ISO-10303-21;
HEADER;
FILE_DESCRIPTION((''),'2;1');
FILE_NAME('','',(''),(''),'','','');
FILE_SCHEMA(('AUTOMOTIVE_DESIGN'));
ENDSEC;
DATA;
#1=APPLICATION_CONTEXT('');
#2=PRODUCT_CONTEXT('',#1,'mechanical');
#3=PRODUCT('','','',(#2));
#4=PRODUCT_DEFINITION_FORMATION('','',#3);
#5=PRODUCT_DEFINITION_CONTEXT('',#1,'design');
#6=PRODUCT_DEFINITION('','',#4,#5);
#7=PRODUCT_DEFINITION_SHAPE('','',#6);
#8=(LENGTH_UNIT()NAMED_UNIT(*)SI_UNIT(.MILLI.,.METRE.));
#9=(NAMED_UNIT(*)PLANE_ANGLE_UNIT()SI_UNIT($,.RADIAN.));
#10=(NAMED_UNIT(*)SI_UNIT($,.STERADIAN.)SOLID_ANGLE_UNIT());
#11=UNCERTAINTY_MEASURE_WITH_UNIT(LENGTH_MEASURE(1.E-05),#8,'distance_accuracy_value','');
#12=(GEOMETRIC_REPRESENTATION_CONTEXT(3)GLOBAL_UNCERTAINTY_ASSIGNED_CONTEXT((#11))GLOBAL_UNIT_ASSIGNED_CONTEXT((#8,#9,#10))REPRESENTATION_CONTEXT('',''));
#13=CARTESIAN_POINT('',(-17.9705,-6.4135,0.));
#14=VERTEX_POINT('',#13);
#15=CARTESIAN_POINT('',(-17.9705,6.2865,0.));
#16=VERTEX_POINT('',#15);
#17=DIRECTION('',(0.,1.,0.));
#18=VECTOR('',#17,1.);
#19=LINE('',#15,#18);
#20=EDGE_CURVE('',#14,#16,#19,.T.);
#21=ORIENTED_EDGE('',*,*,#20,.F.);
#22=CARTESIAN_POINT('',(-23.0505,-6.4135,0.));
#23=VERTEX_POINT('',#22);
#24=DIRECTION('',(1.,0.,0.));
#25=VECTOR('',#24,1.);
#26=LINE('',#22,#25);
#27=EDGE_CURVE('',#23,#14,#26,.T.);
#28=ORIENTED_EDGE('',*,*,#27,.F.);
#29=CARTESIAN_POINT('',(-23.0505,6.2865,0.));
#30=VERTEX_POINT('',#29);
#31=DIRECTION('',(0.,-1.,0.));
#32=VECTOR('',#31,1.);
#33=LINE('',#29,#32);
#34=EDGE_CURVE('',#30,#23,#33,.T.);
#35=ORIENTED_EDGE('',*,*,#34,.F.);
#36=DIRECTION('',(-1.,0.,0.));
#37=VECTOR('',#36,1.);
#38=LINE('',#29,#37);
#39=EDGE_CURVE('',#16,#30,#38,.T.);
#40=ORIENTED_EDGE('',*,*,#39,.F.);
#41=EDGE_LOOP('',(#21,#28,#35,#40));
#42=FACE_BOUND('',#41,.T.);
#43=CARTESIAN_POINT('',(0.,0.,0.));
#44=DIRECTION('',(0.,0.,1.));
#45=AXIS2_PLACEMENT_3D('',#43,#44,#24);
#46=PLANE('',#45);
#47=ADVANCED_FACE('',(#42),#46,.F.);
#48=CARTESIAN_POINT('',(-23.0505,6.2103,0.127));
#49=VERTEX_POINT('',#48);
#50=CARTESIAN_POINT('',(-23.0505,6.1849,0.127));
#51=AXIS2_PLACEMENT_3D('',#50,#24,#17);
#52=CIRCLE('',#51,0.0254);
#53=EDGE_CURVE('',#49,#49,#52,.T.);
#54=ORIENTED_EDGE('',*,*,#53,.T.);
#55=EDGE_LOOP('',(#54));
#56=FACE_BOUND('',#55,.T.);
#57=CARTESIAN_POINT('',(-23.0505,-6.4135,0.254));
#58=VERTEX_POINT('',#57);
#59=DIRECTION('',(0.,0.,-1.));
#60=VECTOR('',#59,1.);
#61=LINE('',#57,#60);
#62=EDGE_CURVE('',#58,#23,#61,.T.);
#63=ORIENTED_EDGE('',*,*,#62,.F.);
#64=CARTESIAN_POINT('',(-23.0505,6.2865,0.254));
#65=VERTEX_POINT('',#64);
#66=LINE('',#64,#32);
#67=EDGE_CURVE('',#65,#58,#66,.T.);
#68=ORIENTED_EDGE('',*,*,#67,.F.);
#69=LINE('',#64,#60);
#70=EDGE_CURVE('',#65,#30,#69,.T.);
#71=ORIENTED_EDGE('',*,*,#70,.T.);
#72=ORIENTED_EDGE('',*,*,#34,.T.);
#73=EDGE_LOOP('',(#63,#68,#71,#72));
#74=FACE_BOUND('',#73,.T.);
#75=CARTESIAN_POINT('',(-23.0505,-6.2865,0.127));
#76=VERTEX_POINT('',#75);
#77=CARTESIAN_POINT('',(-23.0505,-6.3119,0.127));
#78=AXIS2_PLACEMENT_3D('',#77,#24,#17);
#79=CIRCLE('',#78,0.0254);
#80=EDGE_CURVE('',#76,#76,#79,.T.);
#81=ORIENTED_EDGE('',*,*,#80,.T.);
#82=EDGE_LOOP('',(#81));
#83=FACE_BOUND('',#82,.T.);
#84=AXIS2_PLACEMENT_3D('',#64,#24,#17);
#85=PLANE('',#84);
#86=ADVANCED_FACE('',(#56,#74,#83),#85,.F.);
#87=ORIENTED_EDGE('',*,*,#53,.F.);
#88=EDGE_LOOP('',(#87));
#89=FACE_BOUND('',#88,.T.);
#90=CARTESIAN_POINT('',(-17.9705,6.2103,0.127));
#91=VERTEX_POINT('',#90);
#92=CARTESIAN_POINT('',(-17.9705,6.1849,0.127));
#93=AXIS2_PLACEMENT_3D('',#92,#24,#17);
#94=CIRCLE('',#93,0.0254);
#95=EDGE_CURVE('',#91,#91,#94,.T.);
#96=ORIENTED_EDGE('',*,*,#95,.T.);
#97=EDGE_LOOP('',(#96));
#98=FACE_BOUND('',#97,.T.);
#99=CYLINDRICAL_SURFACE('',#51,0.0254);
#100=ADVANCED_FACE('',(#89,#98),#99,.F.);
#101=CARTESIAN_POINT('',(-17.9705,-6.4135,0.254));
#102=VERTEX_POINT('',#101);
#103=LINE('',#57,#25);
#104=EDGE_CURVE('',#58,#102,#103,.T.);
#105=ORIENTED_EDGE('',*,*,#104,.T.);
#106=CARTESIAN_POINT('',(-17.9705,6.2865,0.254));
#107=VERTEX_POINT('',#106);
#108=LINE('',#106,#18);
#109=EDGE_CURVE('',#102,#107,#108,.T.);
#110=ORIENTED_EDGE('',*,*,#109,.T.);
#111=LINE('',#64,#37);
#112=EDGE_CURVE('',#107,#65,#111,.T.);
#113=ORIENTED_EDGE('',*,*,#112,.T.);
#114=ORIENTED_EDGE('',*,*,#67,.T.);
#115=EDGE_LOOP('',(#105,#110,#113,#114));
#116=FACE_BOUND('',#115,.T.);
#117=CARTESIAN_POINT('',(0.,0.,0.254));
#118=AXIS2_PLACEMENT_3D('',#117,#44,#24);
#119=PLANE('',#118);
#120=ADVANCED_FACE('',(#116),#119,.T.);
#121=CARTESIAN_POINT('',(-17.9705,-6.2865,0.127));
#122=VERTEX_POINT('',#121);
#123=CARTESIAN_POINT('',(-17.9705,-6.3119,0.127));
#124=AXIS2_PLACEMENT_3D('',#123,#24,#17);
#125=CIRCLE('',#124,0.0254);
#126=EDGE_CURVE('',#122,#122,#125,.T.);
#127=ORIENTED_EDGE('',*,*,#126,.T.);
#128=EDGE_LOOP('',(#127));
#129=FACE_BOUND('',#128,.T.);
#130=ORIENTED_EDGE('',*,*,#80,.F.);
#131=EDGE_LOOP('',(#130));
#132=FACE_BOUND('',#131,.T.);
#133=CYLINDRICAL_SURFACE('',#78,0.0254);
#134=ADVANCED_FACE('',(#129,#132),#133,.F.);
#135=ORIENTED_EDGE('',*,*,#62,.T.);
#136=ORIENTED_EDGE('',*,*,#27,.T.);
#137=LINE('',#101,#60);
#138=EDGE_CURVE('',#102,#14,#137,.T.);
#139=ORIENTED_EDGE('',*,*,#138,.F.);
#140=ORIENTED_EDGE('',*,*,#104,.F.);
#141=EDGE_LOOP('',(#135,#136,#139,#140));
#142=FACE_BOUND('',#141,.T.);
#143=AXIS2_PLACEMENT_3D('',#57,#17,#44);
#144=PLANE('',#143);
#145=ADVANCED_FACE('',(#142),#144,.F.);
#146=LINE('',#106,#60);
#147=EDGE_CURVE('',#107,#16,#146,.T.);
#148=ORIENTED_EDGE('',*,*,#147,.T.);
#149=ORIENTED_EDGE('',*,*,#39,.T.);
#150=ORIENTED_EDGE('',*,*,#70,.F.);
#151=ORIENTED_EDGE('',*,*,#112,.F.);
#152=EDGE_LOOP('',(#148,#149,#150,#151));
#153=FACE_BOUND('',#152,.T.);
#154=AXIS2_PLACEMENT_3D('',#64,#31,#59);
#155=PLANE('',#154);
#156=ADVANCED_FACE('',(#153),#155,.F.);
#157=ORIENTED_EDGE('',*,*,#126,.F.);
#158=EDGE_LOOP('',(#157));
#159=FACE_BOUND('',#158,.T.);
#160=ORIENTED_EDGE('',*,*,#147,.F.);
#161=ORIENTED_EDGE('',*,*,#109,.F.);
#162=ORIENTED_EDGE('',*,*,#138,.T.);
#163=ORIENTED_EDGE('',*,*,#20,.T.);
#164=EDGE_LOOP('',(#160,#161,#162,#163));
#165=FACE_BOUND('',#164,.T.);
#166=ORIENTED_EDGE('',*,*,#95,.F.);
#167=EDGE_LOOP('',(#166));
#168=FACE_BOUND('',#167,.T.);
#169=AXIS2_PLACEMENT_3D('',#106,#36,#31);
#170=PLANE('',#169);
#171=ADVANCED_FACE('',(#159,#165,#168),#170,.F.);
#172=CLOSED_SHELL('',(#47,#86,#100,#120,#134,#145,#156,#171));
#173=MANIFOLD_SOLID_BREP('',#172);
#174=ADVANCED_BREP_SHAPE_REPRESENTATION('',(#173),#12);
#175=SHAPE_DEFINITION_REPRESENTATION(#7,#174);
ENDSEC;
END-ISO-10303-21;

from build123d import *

# Parameters (mm, degrees)
SKETCH1_W           = 5.08
SKETCH1_H           = 12.7
BOSS_EXTRUDE1_DEPTH = 0.254
SKETCH2_R           = 0.0254
CUT_EXTRUDE1_DEPTH  = 9.185590892


with BuildPart() as part:
    # Sketch1 → Boss-Extrude1 (new body)
    with BuildSketch(Plane.XY):
        with Locations((-20.5105, -0.0635)):
            Rectangle(SKETCH1_W, SKETCH1_H)
    extrude(amount=BOSS_EXTRUDE1_DEPTH)

    # Sketch2 → Cut-Extrude1 (cut, through all)
    with BuildSketch(Plane(origin=(-17.9705, 0, 0), x_dir=(0, 0, -1), z_dir=(1, 0, 0))):
        with Locations(Location((-0.127, 6.1849, 0), (0, 0, 90))):
            Circle(SKETCH2_R)
        with Locations(Location((-0.127, -6.3119, 0), (0, 0, 90))):
            Circle(SKETCH2_R)
    extrude(amount=-CUT_EXTRUDE1_DEPTH, mode=Mode.SUBTRACT)


solid = part.part
